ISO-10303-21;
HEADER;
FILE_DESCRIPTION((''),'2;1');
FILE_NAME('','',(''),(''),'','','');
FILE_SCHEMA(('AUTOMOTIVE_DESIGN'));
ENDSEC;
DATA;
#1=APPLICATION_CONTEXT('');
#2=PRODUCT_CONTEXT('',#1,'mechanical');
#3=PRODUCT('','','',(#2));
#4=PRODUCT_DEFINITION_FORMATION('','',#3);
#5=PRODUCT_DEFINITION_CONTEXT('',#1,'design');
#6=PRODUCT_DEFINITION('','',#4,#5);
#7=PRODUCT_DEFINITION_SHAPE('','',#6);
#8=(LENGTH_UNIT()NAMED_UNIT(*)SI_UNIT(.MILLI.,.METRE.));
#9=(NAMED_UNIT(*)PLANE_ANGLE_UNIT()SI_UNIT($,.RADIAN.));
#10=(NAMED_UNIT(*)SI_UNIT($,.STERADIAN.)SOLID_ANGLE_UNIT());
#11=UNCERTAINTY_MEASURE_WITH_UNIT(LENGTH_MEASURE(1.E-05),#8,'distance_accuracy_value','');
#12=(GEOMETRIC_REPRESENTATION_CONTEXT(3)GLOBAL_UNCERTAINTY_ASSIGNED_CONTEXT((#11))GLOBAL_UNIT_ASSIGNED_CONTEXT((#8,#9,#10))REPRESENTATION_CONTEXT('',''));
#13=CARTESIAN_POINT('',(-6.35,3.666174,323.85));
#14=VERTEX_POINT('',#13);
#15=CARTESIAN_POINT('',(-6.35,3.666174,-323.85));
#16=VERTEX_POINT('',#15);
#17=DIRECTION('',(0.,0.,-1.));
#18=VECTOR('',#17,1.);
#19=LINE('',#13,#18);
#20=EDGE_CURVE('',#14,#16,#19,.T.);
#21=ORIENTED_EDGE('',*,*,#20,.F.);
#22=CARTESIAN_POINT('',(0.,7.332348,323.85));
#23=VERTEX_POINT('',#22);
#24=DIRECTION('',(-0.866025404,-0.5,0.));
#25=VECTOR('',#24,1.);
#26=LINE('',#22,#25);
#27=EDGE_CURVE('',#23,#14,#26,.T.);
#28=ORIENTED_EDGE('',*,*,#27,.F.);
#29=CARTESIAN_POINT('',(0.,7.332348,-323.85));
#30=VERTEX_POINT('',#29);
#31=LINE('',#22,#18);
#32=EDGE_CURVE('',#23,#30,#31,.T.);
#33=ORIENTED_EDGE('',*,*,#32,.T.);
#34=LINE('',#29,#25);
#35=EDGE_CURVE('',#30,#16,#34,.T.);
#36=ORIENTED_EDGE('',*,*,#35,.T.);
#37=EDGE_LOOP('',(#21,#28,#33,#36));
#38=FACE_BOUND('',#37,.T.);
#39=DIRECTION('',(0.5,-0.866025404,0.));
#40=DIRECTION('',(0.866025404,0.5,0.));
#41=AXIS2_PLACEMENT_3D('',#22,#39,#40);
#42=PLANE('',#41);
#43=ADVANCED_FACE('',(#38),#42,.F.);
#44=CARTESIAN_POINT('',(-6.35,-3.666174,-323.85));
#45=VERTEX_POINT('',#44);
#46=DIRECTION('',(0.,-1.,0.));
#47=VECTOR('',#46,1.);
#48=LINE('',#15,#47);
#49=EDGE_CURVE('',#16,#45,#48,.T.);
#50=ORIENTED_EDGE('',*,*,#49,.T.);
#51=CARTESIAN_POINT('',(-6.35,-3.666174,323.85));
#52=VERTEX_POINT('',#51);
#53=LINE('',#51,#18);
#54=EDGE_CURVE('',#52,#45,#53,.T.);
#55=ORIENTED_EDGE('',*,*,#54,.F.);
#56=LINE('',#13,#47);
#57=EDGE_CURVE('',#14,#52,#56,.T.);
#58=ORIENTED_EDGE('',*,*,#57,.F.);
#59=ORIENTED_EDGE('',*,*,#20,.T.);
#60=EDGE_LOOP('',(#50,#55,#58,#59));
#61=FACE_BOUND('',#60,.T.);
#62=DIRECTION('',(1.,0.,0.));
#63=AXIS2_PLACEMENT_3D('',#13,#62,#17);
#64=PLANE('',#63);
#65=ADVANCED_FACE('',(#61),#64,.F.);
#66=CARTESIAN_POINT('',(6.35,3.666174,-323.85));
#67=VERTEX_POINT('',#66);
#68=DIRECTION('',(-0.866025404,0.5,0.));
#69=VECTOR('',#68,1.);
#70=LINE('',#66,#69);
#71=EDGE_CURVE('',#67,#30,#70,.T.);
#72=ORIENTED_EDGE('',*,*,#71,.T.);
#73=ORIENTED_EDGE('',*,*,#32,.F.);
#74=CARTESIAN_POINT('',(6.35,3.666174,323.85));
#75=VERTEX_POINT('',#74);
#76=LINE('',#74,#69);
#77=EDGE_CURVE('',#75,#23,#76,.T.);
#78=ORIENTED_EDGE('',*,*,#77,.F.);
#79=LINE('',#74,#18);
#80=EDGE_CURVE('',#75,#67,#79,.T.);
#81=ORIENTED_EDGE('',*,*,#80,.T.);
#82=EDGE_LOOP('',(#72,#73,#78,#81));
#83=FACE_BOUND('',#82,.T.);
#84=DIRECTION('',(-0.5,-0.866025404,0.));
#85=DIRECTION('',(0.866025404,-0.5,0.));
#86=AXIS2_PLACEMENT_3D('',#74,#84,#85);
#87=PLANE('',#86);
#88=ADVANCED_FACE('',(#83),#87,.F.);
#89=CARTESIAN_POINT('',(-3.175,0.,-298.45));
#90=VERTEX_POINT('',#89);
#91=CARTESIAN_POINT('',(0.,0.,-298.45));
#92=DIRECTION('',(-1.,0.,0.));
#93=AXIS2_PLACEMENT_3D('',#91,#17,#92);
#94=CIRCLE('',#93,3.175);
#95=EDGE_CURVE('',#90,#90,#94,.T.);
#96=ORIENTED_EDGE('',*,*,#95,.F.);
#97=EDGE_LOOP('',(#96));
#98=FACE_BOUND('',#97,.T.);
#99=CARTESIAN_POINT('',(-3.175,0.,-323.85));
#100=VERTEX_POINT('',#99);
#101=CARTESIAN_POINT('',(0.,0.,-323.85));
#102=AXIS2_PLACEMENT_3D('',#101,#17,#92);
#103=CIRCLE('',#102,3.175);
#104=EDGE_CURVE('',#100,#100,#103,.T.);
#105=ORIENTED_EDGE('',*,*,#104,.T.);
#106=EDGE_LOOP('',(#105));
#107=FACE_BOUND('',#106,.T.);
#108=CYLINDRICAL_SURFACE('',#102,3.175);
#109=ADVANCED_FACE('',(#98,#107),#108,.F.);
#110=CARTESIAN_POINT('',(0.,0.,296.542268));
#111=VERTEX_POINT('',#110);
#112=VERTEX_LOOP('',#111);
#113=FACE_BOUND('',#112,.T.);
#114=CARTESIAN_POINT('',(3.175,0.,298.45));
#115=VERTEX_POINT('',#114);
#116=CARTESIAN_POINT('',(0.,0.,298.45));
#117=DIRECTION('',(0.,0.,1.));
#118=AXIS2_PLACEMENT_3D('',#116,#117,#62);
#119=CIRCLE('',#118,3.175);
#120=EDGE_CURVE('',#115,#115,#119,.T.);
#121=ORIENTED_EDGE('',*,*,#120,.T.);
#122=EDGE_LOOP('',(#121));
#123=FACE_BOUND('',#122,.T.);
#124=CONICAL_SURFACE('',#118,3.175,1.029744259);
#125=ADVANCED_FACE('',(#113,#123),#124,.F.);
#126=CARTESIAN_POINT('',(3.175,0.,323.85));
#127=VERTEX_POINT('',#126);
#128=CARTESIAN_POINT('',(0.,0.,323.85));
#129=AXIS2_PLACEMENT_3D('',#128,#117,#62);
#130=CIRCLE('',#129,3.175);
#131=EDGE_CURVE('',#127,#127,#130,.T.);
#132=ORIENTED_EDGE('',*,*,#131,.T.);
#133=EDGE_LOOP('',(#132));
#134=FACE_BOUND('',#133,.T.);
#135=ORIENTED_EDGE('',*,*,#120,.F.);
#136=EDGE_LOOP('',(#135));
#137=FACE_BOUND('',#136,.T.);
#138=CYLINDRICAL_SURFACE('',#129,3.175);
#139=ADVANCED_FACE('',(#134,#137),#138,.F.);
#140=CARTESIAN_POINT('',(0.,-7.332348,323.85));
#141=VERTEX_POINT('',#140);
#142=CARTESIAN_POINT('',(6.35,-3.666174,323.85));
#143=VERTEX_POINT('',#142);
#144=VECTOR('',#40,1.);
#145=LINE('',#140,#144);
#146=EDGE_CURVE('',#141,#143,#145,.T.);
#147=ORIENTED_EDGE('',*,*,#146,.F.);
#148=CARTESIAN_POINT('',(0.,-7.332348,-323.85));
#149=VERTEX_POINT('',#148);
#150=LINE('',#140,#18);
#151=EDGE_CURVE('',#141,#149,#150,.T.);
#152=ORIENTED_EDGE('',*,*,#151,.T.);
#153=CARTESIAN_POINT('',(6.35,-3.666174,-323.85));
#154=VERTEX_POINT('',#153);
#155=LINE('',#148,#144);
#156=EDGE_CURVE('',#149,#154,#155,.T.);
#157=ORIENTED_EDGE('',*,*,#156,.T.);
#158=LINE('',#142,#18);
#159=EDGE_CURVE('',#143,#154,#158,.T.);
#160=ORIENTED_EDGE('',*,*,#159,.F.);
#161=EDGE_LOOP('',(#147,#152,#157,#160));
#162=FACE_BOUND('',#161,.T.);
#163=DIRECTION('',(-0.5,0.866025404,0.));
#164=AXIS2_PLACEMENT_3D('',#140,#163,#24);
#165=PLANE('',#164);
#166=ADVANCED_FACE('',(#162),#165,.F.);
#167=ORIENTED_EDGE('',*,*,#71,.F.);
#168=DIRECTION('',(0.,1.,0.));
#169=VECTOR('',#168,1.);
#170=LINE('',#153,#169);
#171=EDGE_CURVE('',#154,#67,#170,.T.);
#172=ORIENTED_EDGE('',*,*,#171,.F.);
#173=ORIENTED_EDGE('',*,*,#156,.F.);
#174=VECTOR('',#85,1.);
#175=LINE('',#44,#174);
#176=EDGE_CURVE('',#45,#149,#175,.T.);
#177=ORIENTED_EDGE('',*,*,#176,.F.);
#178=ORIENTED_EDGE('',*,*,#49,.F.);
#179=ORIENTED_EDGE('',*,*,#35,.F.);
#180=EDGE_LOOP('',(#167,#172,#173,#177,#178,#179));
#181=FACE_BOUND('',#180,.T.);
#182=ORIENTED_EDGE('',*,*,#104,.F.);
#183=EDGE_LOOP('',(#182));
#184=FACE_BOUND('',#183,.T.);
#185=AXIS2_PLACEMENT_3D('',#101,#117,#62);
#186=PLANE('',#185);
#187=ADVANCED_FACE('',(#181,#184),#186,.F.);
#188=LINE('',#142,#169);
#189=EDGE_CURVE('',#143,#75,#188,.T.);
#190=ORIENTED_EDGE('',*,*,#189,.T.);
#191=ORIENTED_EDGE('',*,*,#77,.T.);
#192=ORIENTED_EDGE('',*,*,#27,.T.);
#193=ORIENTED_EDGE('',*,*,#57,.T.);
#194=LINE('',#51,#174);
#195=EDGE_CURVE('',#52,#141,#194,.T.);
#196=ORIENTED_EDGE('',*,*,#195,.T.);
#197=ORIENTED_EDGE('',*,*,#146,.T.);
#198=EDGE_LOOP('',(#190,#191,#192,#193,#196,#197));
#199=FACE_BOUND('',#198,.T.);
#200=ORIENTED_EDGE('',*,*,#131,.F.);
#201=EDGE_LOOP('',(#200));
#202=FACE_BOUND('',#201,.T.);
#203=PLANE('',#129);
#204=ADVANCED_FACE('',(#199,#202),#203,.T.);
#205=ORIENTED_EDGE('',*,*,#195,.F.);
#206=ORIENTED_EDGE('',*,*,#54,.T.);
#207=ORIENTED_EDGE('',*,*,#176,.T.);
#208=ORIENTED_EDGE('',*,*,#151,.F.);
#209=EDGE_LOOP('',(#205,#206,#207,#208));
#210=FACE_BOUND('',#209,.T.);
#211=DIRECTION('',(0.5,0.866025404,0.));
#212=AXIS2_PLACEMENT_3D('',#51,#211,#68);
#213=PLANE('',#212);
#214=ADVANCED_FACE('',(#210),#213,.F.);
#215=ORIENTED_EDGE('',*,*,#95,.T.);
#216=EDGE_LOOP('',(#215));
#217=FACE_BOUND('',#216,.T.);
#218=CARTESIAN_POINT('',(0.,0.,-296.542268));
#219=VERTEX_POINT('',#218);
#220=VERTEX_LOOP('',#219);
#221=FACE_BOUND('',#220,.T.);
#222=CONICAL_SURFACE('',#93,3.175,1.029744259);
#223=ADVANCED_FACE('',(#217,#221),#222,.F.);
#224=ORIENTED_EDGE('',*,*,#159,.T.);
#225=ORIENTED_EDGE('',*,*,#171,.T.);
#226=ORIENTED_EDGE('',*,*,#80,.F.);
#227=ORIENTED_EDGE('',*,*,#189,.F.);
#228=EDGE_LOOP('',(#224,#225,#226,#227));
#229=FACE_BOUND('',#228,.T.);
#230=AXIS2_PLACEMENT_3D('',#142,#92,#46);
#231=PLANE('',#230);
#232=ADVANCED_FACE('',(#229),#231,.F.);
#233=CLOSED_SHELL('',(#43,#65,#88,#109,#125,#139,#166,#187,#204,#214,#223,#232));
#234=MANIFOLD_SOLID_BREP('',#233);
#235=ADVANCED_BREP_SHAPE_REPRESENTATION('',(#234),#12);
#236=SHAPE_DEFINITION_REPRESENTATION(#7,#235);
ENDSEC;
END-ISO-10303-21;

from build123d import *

# Parameters (mm, degrees)
BOSS_EXTRUDE2_DEPTH             = 323.85
BOSS_EXTRUDE2_DEPTH_BACK        = 323.85
F_1_4_0_25_DIAMETER_HOLE1_D     = 6.35
F_1_4_0_25_DIAMETER_HOLE1_DEPTH = 25.4
F_1_4_0_25_DIAMETER_HOLE1_TIP   = 1.907732465
F_1_4_0_25_DIAMETER_HOLE2_D     = 6.35
F_1_4_0_25_DIAMETER_HOLE2_DEPTH = 25.4
F_1_4_0_25_DIAMETER_HOLE2_TIP   = 1.907732465


with BuildPart() as part:
    # Sketch3 → Boss-Extrude2 (new, two sides: drawn at the far end of the back side and taken through both)
    with BuildSketch(Plane.XY.offset(-BOSS_EXTRUDE2_DEPTH_BACK)):
        Polygon((-6.35, -3.666174209), (0, -7.332348419), (6.35, -3.666174209), (6.35, 3.666174209), (0, 7.332348419), (-6.35, 3.666174209), align=None)
    extrude(amount=BOSS_EXTRUDE2_DEPTH + BOSS_EXTRUDE2_DEPTH_BACK)

    # 1/4 (0.25) Diameter Hole1
    with Locations(Plane.XY.offset(323.85)):
        with Locations((0, 0)):
            Hole(F_1_4_0_25_DIAMETER_HOLE1_D / 2, depth=F_1_4_0_25_DIAMETER_HOLE1_DEPTH)
            with Locations((0, 0, -(F_1_4_0_25_DIAMETER_HOLE1_DEPTH + F_1_4_0_25_DIAMETER_HOLE1_TIP / 2))):  # 118° drill point
                Cone(0, F_1_4_0_25_DIAMETER_HOLE1_D / 2, F_1_4_0_25_DIAMETER_HOLE1_TIP, mode=Mode.SUBTRACT)

    # 1/4 (0.25) Diameter Hole2
    with Locations(Plane(origin=(0, 0, -323.85), x_dir=(-1, 0, 0), z_dir=(0, 0, -1))):
        with Locations((0, 0)):
            Hole(F_1_4_0_25_DIAMETER_HOLE2_D / 2, depth=F_1_4_0_25_DIAMETER_HOLE2_DEPTH)
            with Locations((0, 0, -(F_1_4_0_25_DIAMETER_HOLE2_DEPTH + F_1_4_0_25_DIAMETER_HOLE2_TIP / 2))):  # 118° drill point
                Cone(0, F_1_4_0_25_DIAMETER_HOLE2_D / 2, F_1_4_0_25_DIAMETER_HOLE2_TIP, mode=Mode.SUBTRACT)


solid = part.part
